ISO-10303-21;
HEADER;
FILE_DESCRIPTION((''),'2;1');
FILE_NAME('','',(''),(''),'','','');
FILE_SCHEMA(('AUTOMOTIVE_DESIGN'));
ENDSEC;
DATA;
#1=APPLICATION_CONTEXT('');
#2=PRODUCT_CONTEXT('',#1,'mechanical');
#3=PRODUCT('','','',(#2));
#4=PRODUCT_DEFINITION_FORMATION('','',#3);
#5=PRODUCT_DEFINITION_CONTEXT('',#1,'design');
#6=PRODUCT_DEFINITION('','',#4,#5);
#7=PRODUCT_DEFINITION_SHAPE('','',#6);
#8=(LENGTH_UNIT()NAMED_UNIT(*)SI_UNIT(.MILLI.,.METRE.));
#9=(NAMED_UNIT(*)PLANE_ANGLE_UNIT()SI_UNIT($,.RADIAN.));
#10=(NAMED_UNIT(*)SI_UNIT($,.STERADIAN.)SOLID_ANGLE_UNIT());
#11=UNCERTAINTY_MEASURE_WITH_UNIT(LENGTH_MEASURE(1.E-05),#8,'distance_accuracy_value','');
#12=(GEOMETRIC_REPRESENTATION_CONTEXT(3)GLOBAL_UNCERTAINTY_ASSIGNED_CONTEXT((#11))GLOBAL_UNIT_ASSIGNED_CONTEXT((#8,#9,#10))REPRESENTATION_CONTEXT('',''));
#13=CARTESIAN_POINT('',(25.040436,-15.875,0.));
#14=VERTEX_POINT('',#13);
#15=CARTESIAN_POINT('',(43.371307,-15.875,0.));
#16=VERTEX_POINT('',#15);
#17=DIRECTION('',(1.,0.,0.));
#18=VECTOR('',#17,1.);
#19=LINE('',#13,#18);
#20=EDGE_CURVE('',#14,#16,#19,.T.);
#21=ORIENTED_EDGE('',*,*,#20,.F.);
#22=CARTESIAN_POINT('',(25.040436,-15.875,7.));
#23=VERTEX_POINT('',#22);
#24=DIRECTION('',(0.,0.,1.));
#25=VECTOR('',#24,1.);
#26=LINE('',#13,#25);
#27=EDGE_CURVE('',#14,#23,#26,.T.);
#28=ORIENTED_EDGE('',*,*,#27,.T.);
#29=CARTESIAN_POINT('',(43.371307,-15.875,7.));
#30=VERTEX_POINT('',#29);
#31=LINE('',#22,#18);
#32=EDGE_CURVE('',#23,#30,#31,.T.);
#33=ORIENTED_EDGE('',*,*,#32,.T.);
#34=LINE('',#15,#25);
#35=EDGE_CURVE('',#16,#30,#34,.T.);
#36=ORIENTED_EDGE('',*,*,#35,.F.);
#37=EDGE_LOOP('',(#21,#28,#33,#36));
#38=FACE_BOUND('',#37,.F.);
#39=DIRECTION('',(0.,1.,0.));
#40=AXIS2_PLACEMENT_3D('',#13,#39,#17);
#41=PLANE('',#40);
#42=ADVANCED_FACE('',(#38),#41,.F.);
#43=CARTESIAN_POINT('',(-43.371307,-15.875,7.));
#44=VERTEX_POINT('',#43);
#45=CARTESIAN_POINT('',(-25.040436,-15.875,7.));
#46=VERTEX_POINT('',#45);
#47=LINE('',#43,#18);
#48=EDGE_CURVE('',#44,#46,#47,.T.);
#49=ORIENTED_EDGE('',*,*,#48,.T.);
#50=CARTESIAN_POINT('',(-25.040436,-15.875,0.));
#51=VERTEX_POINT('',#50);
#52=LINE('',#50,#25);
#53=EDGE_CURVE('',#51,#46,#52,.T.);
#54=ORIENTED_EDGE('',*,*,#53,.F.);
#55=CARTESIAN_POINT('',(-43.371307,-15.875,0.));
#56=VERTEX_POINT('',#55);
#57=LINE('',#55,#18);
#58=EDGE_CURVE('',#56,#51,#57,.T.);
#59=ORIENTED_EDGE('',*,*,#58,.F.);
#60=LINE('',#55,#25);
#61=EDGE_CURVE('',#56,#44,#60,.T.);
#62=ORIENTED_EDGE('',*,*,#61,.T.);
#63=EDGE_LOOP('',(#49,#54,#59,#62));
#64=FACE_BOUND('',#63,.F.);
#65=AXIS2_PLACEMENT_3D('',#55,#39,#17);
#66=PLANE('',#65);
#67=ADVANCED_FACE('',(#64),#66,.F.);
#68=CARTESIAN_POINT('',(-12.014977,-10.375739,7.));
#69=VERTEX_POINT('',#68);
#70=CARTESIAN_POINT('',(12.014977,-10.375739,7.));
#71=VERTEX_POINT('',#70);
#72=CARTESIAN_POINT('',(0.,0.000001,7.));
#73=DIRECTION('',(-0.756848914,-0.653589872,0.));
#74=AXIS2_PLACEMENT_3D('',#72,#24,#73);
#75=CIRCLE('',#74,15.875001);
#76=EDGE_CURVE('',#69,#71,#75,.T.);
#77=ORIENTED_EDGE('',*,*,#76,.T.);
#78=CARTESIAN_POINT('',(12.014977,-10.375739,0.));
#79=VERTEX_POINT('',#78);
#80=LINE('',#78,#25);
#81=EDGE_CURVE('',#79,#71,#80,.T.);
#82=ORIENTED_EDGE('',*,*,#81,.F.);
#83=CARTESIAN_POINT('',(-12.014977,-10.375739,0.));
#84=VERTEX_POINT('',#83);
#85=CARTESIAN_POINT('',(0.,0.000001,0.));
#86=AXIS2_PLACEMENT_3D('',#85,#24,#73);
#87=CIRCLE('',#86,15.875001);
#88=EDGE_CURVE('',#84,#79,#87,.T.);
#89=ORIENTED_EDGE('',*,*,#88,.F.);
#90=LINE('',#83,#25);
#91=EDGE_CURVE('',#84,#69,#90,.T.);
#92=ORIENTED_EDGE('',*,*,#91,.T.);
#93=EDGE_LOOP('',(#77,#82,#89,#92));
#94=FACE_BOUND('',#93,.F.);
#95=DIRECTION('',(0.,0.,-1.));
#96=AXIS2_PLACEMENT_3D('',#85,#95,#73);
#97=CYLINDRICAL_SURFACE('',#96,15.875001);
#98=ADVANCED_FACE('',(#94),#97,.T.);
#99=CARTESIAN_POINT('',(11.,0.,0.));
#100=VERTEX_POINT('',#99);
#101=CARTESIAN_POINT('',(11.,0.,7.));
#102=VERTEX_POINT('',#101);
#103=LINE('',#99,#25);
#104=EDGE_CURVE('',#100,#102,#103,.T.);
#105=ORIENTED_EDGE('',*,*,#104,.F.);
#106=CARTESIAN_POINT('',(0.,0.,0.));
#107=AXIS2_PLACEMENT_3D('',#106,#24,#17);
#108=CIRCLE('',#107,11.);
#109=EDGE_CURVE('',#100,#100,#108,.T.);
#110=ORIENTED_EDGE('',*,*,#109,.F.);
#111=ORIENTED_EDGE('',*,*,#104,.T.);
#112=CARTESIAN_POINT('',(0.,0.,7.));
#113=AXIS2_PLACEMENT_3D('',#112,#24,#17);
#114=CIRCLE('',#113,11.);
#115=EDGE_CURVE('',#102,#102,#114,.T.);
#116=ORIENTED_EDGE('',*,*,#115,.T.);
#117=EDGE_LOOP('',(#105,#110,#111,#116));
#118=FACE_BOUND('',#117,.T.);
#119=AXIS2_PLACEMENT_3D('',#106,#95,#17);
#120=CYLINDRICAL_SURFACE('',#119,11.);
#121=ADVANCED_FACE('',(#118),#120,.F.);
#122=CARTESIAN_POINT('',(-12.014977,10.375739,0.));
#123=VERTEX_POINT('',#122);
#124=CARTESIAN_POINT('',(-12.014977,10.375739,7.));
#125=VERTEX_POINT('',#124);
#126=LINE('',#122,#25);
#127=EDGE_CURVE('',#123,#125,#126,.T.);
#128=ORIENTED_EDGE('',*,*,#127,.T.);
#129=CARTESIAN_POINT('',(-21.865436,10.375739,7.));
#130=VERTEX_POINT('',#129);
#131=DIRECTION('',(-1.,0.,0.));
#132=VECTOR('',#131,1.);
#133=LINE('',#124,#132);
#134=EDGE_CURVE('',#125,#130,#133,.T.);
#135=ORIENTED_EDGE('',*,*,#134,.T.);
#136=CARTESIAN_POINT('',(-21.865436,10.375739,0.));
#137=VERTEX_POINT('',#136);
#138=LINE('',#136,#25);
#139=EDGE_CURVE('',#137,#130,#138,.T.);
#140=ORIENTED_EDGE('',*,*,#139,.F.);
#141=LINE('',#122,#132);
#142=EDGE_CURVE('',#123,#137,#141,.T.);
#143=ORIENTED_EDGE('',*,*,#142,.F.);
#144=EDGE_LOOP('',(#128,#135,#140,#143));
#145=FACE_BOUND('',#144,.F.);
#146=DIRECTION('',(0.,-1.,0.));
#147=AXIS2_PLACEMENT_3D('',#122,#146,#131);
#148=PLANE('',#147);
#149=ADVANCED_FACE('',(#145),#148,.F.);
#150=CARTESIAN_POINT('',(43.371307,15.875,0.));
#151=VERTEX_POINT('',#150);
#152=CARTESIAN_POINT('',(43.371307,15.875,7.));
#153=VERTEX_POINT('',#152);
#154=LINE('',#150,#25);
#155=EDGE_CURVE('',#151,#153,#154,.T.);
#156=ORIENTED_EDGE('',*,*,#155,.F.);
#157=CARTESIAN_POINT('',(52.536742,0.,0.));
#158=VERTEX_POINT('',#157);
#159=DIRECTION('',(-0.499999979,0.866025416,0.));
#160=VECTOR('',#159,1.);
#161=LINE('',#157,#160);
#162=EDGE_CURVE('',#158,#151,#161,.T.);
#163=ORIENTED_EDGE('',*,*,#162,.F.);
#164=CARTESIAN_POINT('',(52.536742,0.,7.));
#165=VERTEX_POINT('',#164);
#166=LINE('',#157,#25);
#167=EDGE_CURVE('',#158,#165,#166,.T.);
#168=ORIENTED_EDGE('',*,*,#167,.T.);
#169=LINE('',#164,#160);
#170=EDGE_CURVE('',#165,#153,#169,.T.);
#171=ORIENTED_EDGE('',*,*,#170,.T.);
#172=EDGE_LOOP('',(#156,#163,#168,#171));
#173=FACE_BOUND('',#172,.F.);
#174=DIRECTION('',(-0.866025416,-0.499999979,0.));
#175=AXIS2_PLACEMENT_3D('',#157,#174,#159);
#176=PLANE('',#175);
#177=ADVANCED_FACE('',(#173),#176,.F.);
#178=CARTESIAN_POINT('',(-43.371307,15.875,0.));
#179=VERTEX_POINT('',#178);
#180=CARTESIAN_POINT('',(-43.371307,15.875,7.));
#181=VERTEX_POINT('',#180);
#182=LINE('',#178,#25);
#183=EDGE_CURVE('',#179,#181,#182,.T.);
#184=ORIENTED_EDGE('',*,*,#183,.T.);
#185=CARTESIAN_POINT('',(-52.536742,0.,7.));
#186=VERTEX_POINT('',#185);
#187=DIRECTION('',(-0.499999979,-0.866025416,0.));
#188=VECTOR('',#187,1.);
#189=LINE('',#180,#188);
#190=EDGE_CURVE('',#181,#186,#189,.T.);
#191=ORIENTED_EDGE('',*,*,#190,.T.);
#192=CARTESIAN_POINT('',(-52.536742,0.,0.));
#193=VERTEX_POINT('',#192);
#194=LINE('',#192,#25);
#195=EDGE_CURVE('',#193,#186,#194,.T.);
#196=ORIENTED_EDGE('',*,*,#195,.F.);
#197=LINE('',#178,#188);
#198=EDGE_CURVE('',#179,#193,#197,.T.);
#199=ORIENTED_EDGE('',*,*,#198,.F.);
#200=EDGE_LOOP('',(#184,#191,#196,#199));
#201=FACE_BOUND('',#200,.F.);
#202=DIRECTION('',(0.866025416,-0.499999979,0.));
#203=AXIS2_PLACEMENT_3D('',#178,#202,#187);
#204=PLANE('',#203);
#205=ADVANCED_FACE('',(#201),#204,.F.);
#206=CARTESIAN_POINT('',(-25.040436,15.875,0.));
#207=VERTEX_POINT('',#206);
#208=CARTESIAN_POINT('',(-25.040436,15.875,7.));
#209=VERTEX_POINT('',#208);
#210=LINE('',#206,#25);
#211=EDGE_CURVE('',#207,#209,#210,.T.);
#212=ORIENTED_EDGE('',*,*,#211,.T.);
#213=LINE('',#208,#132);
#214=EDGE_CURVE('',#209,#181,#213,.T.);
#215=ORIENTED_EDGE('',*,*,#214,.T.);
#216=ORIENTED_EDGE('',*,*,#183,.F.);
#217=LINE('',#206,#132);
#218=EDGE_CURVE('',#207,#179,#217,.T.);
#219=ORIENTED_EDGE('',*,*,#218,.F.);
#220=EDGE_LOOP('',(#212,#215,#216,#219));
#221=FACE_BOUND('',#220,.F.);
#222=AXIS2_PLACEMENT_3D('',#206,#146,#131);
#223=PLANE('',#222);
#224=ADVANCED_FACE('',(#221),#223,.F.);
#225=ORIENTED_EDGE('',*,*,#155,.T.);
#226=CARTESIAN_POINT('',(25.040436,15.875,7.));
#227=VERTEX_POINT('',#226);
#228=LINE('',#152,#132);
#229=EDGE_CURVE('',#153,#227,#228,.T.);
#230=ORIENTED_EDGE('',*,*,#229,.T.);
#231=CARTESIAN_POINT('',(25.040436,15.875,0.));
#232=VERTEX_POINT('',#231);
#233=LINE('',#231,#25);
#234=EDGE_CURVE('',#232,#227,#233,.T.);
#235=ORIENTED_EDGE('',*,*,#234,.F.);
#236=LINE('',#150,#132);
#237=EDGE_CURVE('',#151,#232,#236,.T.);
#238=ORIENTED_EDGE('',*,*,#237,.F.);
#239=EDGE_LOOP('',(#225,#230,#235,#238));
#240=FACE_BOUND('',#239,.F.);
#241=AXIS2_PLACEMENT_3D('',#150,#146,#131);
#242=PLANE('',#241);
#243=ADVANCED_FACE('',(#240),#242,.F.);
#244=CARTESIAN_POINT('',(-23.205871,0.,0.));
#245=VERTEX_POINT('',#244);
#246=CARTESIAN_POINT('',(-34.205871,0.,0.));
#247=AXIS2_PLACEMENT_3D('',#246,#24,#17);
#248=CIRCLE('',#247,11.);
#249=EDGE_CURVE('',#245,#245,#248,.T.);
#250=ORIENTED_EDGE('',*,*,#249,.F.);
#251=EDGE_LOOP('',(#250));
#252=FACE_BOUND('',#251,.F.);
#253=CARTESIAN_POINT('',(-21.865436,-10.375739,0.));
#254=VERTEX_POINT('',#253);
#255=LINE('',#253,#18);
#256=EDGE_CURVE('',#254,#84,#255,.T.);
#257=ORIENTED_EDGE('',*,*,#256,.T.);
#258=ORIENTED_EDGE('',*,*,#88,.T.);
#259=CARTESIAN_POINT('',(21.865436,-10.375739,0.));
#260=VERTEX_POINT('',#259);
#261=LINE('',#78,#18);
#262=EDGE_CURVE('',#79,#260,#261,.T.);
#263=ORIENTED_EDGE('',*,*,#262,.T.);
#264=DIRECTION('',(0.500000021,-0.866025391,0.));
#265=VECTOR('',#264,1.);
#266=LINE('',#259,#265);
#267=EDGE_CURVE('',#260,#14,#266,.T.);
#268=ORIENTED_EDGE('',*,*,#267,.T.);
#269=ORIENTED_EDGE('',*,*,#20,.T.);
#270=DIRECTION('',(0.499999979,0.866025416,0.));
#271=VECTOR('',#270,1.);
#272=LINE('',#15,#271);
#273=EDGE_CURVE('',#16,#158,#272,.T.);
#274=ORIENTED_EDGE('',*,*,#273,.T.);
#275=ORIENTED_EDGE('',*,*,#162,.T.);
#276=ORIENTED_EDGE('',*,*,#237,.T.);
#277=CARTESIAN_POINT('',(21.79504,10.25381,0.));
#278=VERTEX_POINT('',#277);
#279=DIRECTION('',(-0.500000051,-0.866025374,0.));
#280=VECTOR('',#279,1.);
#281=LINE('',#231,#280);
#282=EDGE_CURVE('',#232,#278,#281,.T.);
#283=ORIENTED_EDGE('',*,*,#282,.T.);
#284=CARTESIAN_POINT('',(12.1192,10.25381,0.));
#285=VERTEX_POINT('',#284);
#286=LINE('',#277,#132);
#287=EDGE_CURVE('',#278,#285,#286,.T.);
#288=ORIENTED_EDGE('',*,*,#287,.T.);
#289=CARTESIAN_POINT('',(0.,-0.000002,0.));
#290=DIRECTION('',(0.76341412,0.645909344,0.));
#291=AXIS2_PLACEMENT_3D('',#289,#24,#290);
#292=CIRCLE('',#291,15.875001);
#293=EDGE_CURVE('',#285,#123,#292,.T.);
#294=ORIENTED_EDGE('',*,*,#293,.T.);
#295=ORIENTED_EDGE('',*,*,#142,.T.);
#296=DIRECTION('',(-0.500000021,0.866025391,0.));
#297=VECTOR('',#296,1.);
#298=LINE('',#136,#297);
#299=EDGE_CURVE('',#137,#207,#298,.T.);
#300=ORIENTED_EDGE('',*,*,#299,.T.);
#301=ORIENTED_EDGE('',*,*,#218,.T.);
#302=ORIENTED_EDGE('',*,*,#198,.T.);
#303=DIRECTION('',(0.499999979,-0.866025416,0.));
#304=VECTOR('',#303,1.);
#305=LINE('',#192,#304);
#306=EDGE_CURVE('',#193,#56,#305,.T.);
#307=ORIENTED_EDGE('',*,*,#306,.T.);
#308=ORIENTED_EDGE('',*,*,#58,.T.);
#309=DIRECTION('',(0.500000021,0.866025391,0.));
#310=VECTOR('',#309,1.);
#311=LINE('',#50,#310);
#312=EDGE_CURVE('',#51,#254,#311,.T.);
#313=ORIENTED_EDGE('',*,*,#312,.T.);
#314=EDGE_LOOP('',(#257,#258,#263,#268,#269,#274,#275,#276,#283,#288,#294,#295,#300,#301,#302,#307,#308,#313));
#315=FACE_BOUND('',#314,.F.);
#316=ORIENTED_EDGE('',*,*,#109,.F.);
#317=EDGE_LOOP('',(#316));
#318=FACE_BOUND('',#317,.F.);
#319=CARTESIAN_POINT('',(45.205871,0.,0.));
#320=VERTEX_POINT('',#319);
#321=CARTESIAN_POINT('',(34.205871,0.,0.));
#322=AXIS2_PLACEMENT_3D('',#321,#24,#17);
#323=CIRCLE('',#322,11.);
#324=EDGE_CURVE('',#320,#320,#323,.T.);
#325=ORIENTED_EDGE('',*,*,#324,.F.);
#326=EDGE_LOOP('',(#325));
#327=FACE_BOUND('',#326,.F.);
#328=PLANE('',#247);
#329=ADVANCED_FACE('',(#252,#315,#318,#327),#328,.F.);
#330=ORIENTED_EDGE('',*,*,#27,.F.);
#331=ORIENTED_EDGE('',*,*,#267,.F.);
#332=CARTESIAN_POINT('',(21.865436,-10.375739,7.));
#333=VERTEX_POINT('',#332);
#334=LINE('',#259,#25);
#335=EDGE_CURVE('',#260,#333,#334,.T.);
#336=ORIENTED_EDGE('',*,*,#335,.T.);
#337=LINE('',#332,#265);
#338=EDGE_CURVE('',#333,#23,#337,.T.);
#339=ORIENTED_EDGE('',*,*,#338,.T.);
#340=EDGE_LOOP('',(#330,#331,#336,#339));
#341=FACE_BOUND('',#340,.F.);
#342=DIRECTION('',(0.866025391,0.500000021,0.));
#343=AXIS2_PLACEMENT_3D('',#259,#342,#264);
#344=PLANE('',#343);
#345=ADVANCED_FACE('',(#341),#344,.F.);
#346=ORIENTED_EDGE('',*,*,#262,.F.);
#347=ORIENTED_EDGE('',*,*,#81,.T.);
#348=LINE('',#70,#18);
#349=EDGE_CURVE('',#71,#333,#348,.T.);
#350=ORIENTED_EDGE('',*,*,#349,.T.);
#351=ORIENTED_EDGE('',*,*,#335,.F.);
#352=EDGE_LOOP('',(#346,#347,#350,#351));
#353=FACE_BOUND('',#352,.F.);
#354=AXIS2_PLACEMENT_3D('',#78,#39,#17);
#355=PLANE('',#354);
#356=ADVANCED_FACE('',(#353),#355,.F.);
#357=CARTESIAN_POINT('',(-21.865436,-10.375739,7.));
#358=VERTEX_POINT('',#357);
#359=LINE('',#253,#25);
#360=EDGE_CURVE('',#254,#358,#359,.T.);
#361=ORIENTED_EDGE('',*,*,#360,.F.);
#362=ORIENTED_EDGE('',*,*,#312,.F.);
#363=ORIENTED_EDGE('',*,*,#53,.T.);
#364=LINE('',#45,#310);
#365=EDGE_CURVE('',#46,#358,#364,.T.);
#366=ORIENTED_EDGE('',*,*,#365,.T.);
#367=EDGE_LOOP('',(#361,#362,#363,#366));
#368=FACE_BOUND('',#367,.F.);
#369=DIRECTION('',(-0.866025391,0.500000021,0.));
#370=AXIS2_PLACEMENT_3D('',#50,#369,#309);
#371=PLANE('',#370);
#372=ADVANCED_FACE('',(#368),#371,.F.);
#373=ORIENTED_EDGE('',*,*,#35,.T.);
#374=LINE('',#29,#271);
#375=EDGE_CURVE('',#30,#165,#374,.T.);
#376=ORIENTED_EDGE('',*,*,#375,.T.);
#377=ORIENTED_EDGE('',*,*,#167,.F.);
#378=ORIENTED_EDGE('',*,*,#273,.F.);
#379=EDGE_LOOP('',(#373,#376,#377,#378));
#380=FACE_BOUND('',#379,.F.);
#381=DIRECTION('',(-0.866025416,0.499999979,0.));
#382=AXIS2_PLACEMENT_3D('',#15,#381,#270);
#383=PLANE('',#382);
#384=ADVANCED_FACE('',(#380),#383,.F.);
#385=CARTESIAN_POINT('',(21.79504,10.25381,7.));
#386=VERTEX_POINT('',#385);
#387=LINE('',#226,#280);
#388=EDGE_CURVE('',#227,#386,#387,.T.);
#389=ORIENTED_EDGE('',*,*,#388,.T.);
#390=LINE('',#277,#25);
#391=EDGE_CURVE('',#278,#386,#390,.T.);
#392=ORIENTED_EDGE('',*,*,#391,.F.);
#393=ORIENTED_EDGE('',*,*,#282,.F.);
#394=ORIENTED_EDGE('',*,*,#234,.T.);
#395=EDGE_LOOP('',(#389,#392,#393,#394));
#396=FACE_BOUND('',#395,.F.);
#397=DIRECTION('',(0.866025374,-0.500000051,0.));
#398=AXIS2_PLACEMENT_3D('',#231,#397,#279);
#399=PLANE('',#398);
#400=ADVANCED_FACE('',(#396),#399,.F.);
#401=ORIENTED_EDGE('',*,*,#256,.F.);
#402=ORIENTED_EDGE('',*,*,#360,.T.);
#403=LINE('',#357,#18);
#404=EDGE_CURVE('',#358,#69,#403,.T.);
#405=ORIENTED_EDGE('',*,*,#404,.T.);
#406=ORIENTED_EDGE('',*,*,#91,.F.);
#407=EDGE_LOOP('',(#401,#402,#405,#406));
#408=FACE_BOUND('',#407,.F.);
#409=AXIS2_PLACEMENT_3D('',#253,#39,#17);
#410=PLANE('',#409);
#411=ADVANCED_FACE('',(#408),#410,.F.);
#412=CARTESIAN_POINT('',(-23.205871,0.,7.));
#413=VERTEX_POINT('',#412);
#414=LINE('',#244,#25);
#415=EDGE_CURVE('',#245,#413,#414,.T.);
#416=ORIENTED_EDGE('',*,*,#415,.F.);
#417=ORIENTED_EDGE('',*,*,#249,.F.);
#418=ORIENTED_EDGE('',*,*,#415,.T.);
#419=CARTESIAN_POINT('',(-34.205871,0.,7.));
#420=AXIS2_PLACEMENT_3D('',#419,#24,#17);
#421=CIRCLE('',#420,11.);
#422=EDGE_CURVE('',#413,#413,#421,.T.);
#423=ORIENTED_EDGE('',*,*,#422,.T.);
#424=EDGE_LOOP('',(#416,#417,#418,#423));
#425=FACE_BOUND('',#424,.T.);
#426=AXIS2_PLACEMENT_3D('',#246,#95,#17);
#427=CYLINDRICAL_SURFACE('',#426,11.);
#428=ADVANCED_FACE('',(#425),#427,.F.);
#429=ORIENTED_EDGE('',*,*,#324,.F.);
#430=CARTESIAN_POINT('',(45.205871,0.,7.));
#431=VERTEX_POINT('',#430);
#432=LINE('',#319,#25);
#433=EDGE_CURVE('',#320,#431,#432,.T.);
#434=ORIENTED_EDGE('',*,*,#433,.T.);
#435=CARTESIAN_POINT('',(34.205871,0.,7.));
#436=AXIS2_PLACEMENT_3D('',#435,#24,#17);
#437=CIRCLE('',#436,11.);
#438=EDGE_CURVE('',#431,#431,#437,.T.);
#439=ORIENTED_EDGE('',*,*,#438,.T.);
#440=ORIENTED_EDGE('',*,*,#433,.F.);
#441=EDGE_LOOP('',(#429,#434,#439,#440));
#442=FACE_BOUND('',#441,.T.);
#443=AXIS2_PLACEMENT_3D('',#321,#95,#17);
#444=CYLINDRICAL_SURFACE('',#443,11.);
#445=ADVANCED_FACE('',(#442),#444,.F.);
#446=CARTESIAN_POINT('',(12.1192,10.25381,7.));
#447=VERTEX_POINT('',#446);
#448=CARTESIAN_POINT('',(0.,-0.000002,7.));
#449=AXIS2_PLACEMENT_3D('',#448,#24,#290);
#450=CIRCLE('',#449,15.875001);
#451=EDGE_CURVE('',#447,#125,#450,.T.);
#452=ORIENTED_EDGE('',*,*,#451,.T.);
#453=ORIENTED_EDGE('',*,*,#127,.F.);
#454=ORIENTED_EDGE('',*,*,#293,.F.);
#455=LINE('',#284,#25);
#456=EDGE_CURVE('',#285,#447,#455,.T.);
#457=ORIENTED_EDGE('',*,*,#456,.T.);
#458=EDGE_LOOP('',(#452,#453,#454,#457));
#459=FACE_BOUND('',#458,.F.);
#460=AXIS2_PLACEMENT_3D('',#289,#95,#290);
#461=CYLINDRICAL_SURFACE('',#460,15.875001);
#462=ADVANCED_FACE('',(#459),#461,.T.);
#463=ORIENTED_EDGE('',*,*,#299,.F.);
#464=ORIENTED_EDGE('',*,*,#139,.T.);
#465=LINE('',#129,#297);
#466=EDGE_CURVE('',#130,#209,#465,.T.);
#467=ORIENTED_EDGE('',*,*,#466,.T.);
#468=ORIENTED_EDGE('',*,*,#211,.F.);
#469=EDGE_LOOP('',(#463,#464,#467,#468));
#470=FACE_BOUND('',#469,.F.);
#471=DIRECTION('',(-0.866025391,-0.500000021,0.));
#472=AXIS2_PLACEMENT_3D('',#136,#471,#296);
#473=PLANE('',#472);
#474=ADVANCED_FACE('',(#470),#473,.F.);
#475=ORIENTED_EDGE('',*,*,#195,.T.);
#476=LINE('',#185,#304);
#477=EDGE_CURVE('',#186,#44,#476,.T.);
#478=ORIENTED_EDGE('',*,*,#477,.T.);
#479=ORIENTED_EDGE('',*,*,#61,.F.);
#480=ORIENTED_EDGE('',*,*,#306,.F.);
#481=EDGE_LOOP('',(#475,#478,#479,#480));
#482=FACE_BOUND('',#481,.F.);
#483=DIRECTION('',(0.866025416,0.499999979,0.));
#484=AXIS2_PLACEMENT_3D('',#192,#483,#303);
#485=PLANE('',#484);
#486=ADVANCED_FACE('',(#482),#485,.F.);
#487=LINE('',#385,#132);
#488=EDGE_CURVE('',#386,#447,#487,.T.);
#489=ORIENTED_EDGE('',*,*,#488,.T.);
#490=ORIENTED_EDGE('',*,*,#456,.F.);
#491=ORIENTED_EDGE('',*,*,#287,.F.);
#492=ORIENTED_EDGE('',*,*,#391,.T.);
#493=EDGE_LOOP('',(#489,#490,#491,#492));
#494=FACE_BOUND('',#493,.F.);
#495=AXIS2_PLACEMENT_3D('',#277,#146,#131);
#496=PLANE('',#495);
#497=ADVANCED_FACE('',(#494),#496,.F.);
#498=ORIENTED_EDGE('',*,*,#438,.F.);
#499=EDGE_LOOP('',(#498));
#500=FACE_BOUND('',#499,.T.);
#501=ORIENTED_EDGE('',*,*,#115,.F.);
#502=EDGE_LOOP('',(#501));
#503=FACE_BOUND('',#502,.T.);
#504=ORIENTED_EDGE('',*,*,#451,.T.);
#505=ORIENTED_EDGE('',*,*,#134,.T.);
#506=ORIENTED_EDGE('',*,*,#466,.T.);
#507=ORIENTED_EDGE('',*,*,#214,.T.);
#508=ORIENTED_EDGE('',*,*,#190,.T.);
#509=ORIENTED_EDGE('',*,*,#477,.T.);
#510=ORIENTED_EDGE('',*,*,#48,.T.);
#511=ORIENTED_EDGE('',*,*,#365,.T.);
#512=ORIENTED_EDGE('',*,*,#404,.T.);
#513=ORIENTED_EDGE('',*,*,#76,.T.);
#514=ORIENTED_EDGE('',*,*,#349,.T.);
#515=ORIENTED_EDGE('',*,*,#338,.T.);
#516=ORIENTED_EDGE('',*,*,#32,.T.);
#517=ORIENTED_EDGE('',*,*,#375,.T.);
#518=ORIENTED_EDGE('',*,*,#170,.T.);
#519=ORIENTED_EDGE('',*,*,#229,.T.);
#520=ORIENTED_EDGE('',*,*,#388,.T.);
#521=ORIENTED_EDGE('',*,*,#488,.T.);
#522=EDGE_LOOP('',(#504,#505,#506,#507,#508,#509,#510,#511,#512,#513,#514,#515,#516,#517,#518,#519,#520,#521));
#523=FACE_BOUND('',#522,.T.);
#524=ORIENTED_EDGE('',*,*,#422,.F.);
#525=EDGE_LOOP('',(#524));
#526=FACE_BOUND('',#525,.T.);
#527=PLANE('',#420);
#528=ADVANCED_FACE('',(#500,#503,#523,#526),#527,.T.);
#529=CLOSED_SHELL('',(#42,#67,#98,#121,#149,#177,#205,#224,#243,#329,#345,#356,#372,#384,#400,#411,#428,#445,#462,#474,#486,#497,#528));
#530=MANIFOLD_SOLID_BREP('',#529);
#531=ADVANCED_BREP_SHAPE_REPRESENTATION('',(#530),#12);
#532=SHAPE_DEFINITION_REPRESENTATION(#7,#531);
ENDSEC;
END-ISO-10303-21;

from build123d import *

# Parameters (mm, degrees)
F0_R     = 11
F1_DEPTH = 7


with BuildPart() as f1:
    # F0 (on Top) → F1 (new body)
    with BuildSketch(Plane.XY):
        Polygon((-21.865436, -10.375739), (-15.875, 0), (-21.865436, 10.375739), (-25.040436, 15.875), (-43.371307, 15.875), (-52.536742, 0), (-43.371307, -15.875), (-25.040436, -15.875), align=None)
        with Locations((-34.205871, 0)):
            Circle(F0_R, mode=Mode.SUBTRACT)
        with BuildLine():
            ThreePointArc((-12.014977, 10.375739), (-14.878733, 5.535245), (-15.875, 0))
            ThreePointArc((-15.875, 0), (-14.878733, -5.535245), (-12.014977, -10.375739))
            ThreePointArc((-12.014977, -10.375739), (0, -15.875), (12.014977, -10.375739))
            ThreePointArc((12.014977, -10.375739), (14.878733, -5.535245), (15.875, 0))
            ThreePointArc((15.875, 0), (14.906507, 5.460006), (12.1192, 10.25381))
            ThreePointArc((12.1192, 10.25381), (0.080201, 15.874797), (-12.014977, 10.375739))
        make_face()
        Circle(F0_R, mode=Mode.SUBTRACT)
        with BuildLine():
            Line((-21.865436, 10.375739), (-15.875, 0))
            ThreePointArc((-15.875, 0), (-14.878733, 5.535245), (-12.014977, 10.375739))
            Line((-12.014977, 10.375739), (-21.865436, 10.375739))
        make_face()
        with BuildLine():
            ThreePointArc((-12.014977, -10.375739), (-14.878733, -5.535245), (-15.875, 0))
            Line((-15.875, 0), (-21.865436, -10.375739))
            Line((-21.865436, -10.375739), (-12.014977, -10.375739))
        make_face()
        with BuildLine():
            ThreePointArc((15.875, 0), (14.878733, -5.535245), (12.014977, -10.375739))
            Line((12.014977, -10.375739), (21.865436, -10.375739))
            Line((21.865436, -10.375739), (15.875, 0))
        make_face()
        with BuildLine():
            Line((21.79504, 10.25381), (12.1192, 10.25381))
            ThreePointArc((12.1192, 10.25381), (14.906507, 5.460006), (15.875, 0))
            Line((15.875, 0), (21.79504, 10.25381))
        make_face()
        Polygon((21.79504, 10.25381), (15.875, 0), (21.865436, -10.375739), (25.040436, -15.875), (43.371307, -15.875), (52.536742, 0), (43.371307, 15.875), (25.040436, 15.875), align=None)
        with Locations((34.205871, 0)):
            Circle(F0_R, mode=Mode.SUBTRACT)
    extrude(amount=F1_DEPTH)


solid = f1.part
